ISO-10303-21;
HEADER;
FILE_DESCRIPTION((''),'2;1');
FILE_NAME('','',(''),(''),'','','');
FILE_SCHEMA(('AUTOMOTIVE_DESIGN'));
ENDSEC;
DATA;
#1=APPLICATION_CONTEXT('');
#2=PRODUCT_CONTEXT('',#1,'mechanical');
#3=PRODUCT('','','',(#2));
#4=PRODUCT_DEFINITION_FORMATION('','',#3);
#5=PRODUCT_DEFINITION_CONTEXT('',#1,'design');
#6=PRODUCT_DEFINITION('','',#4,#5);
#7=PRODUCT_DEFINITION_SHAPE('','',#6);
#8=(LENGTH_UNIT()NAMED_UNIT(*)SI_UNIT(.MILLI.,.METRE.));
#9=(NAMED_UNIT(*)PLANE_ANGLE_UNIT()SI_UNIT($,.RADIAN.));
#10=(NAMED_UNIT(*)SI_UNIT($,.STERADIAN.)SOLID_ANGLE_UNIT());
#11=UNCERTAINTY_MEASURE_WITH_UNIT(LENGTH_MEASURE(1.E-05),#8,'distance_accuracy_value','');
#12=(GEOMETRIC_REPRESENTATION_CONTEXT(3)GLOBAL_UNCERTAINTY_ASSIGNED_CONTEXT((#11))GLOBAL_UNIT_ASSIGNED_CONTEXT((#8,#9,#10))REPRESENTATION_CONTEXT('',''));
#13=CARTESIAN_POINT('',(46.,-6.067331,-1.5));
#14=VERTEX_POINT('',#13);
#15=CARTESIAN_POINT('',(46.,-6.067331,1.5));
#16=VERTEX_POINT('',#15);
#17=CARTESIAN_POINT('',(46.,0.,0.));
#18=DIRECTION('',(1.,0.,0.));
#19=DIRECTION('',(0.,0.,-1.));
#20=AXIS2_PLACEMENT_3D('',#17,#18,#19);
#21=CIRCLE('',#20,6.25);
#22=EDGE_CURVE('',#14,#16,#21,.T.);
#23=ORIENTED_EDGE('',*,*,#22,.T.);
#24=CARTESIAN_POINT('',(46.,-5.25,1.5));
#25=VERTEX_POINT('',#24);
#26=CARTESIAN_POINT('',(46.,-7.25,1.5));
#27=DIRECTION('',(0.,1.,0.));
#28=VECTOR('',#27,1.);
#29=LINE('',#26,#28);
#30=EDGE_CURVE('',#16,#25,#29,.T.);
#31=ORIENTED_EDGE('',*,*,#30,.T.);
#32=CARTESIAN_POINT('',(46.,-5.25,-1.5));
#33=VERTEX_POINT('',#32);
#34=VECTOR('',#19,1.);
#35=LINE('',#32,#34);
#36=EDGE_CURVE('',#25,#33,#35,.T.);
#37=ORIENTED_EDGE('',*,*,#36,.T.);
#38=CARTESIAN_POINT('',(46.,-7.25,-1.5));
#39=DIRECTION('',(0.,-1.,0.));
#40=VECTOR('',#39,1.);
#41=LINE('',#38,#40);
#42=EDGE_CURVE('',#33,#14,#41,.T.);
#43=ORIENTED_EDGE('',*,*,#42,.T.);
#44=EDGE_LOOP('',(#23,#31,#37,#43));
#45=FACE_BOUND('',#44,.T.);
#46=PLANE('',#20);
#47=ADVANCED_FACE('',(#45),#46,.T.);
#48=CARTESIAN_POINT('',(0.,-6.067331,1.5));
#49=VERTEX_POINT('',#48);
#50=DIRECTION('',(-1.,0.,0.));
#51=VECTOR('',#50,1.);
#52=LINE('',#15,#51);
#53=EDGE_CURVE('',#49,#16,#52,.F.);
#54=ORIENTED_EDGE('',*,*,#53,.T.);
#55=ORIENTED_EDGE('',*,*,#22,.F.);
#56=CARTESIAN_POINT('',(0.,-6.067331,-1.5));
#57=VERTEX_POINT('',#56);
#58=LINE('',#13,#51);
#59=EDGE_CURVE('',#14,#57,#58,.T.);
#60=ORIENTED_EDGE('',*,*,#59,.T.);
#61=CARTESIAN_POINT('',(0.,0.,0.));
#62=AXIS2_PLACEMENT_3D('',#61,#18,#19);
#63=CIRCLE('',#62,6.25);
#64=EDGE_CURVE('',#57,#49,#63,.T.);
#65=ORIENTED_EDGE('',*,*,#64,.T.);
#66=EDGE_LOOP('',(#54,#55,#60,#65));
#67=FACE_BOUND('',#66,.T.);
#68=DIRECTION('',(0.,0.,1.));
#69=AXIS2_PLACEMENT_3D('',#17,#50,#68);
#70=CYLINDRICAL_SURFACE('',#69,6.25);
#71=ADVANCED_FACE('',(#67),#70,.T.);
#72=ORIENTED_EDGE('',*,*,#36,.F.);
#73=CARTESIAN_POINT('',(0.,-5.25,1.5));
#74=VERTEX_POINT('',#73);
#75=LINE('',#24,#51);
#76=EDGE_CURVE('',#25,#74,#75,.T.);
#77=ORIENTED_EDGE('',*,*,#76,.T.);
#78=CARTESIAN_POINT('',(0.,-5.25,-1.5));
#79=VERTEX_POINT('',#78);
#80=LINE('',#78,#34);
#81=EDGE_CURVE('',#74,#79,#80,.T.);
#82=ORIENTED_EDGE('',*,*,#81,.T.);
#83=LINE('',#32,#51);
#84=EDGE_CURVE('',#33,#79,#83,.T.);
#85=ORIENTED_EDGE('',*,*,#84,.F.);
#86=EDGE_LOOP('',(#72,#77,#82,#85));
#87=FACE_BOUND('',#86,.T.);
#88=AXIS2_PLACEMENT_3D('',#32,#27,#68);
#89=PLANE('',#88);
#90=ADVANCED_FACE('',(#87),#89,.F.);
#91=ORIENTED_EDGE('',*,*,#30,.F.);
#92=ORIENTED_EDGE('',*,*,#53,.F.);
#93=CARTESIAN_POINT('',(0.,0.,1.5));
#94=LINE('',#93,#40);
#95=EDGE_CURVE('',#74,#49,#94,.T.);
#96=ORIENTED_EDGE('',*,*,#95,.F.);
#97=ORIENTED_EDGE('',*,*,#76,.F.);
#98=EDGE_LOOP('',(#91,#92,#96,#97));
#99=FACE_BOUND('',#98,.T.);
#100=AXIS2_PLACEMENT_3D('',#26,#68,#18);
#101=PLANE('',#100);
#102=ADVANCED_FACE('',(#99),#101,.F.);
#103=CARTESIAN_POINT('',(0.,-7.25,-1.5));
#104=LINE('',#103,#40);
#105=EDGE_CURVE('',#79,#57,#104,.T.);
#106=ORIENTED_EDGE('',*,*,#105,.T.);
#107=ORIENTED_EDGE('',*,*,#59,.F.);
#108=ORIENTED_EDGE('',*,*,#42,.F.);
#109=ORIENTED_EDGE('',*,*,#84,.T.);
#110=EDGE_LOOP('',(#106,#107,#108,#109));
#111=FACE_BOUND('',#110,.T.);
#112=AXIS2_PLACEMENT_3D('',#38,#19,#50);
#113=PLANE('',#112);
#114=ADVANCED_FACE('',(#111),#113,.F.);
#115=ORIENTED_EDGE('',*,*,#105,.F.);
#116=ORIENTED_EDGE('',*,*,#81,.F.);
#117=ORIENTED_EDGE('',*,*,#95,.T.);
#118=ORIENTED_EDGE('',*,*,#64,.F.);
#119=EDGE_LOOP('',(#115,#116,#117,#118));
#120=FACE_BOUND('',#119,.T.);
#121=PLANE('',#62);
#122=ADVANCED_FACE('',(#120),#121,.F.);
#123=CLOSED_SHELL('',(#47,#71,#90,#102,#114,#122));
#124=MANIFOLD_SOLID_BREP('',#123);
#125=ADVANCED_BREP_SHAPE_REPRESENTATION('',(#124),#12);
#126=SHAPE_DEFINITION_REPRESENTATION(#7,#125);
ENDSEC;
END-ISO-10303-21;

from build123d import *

# Parameters (mm, degrees)
SKETCH1_R           = 6.25
BOSS_EXTRUDE1_DEPTH = 46
SKETCH2_W           = 3
SKETCH2_H           = 2
CUT_EXTRUDE1_DEPTH  = 46


with BuildPart() as part:
    # Sketch1 → Boss-Extrude1 (new body)
    with BuildSketch(Plane(origin=(0, 0, 0), x_dir=(0, 0, -1), z_dir=(1, 0, 0))):
        Circle(SKETCH1_R)
    extrude(amount=BOSS_EXTRUDE1_DEPTH)

    # Sketch2 → Cut-Extrude1 (cut)
    with BuildSketch(Plane.ZY):
        with Locations((0, -6.25)):
            Rectangle(SKETCH2_W, SKETCH2_H)
    extrude(amount=-CUT_EXTRUDE1_DEPTH, mode=Mode.SUBTRACT)


solid = part.part
